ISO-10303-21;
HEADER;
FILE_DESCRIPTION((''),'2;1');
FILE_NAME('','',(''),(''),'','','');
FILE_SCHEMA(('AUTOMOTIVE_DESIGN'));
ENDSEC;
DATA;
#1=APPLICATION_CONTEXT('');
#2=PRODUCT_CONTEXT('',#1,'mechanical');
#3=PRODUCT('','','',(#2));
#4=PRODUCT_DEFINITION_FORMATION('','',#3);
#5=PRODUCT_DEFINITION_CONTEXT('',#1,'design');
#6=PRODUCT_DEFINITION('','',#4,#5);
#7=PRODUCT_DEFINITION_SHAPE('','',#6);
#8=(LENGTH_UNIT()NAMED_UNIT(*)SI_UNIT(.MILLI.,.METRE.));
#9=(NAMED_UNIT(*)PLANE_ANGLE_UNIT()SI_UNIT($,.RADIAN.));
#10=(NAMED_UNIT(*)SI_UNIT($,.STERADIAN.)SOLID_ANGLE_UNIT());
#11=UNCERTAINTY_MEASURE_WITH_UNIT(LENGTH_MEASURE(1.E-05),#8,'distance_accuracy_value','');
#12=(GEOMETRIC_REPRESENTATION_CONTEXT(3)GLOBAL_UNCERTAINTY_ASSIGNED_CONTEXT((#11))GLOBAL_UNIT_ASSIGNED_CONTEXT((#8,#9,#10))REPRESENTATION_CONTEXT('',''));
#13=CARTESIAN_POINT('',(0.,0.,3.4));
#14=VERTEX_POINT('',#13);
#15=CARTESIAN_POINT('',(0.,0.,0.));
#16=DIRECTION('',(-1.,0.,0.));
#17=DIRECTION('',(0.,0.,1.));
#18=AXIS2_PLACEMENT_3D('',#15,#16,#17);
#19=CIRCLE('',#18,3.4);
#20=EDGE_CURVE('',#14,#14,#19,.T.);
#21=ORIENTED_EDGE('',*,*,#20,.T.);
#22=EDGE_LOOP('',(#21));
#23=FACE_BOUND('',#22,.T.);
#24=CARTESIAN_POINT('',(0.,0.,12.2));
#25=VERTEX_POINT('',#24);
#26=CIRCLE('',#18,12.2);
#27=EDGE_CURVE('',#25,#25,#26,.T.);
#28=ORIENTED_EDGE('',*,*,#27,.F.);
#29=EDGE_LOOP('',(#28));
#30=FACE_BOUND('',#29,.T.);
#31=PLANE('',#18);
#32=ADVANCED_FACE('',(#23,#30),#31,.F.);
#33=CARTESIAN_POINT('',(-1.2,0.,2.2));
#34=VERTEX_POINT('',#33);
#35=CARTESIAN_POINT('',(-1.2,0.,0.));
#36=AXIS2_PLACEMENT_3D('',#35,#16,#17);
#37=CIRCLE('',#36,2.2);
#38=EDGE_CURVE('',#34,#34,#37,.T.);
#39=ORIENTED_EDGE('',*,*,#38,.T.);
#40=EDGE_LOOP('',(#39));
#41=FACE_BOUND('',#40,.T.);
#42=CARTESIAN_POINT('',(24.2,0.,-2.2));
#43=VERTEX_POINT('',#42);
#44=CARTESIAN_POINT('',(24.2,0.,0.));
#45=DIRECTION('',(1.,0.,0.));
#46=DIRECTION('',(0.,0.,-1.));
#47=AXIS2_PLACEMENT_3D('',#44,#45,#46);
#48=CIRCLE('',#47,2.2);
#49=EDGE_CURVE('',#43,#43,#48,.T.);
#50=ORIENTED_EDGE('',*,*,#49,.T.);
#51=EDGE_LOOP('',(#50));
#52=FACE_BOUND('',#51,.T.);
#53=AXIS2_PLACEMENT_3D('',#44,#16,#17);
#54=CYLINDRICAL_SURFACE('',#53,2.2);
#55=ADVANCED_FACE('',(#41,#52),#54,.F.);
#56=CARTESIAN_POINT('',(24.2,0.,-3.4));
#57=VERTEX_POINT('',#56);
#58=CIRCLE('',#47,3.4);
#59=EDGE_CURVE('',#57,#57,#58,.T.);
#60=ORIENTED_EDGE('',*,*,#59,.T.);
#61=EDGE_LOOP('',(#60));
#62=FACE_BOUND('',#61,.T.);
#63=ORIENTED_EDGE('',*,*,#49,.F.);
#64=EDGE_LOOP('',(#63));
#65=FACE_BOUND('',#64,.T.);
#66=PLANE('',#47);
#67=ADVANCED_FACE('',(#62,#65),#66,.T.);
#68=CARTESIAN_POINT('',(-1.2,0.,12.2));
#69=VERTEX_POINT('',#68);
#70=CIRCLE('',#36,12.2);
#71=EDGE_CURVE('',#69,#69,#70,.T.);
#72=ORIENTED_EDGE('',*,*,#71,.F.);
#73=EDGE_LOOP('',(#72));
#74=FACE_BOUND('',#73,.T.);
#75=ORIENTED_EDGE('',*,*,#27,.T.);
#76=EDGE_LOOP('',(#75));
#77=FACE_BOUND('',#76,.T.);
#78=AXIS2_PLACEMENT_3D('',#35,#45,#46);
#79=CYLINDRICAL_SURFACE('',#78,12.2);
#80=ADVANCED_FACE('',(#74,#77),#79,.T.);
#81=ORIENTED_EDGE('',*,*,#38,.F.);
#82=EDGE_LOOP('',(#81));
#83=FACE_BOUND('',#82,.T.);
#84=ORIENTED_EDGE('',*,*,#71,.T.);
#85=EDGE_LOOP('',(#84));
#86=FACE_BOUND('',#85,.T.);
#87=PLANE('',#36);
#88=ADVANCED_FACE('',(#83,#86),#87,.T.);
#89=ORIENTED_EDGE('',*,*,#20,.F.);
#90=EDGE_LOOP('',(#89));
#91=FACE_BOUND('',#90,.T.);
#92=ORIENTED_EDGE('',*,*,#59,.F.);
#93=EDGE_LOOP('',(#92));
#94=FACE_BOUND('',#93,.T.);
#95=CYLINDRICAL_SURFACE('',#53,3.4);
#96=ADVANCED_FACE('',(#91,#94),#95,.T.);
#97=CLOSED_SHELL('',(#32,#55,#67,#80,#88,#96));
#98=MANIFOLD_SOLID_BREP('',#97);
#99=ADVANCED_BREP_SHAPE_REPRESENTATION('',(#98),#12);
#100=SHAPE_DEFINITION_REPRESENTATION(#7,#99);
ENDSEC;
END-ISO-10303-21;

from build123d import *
from build123d.topology import SkipClean

# Parameters (mm, degrees)
SKETCH1_R           = 3.4
SKETCH1_R_2         = 2.2
BOSS_EXTRUDE1_DEPTH = 24.2
BOSS_EXTRUDE2_START = 1.2
SKETCH3_R           = 12.2
SKETCH3_R_2         = 2.2
BOSS_EXTRUDE2_DEPTH = 1.2


with BuildPart() as part:
    # Sketch1 → Boss-Extrude1 (new body)
    with BuildSketch(Plane(origin=(0, 0, 0), x_dir=(0, 0, -1), z_dir=(1, 0, 0))):
        Circle(SKETCH1_R)
        Circle(SKETCH1_R_2, mode=Mode.SUBTRACT)
    extrude(amount=BOSS_EXTRUDE1_DEPTH)

    # Sketch3 → Boss-Extrude2 (add)
    with SkipClean():  # the faces are left unmerged after this step: merging them gives an invalid solid
        with BuildSketch(Plane.ZY.offset(BOSS_EXTRUDE2_START)):
            Circle(SKETCH3_R)
            Circle(SKETCH3_R_2, mode=Mode.SUBTRACT)
        extrude(amount=-BOSS_EXTRUDE2_DEPTH)


solid = part.part
